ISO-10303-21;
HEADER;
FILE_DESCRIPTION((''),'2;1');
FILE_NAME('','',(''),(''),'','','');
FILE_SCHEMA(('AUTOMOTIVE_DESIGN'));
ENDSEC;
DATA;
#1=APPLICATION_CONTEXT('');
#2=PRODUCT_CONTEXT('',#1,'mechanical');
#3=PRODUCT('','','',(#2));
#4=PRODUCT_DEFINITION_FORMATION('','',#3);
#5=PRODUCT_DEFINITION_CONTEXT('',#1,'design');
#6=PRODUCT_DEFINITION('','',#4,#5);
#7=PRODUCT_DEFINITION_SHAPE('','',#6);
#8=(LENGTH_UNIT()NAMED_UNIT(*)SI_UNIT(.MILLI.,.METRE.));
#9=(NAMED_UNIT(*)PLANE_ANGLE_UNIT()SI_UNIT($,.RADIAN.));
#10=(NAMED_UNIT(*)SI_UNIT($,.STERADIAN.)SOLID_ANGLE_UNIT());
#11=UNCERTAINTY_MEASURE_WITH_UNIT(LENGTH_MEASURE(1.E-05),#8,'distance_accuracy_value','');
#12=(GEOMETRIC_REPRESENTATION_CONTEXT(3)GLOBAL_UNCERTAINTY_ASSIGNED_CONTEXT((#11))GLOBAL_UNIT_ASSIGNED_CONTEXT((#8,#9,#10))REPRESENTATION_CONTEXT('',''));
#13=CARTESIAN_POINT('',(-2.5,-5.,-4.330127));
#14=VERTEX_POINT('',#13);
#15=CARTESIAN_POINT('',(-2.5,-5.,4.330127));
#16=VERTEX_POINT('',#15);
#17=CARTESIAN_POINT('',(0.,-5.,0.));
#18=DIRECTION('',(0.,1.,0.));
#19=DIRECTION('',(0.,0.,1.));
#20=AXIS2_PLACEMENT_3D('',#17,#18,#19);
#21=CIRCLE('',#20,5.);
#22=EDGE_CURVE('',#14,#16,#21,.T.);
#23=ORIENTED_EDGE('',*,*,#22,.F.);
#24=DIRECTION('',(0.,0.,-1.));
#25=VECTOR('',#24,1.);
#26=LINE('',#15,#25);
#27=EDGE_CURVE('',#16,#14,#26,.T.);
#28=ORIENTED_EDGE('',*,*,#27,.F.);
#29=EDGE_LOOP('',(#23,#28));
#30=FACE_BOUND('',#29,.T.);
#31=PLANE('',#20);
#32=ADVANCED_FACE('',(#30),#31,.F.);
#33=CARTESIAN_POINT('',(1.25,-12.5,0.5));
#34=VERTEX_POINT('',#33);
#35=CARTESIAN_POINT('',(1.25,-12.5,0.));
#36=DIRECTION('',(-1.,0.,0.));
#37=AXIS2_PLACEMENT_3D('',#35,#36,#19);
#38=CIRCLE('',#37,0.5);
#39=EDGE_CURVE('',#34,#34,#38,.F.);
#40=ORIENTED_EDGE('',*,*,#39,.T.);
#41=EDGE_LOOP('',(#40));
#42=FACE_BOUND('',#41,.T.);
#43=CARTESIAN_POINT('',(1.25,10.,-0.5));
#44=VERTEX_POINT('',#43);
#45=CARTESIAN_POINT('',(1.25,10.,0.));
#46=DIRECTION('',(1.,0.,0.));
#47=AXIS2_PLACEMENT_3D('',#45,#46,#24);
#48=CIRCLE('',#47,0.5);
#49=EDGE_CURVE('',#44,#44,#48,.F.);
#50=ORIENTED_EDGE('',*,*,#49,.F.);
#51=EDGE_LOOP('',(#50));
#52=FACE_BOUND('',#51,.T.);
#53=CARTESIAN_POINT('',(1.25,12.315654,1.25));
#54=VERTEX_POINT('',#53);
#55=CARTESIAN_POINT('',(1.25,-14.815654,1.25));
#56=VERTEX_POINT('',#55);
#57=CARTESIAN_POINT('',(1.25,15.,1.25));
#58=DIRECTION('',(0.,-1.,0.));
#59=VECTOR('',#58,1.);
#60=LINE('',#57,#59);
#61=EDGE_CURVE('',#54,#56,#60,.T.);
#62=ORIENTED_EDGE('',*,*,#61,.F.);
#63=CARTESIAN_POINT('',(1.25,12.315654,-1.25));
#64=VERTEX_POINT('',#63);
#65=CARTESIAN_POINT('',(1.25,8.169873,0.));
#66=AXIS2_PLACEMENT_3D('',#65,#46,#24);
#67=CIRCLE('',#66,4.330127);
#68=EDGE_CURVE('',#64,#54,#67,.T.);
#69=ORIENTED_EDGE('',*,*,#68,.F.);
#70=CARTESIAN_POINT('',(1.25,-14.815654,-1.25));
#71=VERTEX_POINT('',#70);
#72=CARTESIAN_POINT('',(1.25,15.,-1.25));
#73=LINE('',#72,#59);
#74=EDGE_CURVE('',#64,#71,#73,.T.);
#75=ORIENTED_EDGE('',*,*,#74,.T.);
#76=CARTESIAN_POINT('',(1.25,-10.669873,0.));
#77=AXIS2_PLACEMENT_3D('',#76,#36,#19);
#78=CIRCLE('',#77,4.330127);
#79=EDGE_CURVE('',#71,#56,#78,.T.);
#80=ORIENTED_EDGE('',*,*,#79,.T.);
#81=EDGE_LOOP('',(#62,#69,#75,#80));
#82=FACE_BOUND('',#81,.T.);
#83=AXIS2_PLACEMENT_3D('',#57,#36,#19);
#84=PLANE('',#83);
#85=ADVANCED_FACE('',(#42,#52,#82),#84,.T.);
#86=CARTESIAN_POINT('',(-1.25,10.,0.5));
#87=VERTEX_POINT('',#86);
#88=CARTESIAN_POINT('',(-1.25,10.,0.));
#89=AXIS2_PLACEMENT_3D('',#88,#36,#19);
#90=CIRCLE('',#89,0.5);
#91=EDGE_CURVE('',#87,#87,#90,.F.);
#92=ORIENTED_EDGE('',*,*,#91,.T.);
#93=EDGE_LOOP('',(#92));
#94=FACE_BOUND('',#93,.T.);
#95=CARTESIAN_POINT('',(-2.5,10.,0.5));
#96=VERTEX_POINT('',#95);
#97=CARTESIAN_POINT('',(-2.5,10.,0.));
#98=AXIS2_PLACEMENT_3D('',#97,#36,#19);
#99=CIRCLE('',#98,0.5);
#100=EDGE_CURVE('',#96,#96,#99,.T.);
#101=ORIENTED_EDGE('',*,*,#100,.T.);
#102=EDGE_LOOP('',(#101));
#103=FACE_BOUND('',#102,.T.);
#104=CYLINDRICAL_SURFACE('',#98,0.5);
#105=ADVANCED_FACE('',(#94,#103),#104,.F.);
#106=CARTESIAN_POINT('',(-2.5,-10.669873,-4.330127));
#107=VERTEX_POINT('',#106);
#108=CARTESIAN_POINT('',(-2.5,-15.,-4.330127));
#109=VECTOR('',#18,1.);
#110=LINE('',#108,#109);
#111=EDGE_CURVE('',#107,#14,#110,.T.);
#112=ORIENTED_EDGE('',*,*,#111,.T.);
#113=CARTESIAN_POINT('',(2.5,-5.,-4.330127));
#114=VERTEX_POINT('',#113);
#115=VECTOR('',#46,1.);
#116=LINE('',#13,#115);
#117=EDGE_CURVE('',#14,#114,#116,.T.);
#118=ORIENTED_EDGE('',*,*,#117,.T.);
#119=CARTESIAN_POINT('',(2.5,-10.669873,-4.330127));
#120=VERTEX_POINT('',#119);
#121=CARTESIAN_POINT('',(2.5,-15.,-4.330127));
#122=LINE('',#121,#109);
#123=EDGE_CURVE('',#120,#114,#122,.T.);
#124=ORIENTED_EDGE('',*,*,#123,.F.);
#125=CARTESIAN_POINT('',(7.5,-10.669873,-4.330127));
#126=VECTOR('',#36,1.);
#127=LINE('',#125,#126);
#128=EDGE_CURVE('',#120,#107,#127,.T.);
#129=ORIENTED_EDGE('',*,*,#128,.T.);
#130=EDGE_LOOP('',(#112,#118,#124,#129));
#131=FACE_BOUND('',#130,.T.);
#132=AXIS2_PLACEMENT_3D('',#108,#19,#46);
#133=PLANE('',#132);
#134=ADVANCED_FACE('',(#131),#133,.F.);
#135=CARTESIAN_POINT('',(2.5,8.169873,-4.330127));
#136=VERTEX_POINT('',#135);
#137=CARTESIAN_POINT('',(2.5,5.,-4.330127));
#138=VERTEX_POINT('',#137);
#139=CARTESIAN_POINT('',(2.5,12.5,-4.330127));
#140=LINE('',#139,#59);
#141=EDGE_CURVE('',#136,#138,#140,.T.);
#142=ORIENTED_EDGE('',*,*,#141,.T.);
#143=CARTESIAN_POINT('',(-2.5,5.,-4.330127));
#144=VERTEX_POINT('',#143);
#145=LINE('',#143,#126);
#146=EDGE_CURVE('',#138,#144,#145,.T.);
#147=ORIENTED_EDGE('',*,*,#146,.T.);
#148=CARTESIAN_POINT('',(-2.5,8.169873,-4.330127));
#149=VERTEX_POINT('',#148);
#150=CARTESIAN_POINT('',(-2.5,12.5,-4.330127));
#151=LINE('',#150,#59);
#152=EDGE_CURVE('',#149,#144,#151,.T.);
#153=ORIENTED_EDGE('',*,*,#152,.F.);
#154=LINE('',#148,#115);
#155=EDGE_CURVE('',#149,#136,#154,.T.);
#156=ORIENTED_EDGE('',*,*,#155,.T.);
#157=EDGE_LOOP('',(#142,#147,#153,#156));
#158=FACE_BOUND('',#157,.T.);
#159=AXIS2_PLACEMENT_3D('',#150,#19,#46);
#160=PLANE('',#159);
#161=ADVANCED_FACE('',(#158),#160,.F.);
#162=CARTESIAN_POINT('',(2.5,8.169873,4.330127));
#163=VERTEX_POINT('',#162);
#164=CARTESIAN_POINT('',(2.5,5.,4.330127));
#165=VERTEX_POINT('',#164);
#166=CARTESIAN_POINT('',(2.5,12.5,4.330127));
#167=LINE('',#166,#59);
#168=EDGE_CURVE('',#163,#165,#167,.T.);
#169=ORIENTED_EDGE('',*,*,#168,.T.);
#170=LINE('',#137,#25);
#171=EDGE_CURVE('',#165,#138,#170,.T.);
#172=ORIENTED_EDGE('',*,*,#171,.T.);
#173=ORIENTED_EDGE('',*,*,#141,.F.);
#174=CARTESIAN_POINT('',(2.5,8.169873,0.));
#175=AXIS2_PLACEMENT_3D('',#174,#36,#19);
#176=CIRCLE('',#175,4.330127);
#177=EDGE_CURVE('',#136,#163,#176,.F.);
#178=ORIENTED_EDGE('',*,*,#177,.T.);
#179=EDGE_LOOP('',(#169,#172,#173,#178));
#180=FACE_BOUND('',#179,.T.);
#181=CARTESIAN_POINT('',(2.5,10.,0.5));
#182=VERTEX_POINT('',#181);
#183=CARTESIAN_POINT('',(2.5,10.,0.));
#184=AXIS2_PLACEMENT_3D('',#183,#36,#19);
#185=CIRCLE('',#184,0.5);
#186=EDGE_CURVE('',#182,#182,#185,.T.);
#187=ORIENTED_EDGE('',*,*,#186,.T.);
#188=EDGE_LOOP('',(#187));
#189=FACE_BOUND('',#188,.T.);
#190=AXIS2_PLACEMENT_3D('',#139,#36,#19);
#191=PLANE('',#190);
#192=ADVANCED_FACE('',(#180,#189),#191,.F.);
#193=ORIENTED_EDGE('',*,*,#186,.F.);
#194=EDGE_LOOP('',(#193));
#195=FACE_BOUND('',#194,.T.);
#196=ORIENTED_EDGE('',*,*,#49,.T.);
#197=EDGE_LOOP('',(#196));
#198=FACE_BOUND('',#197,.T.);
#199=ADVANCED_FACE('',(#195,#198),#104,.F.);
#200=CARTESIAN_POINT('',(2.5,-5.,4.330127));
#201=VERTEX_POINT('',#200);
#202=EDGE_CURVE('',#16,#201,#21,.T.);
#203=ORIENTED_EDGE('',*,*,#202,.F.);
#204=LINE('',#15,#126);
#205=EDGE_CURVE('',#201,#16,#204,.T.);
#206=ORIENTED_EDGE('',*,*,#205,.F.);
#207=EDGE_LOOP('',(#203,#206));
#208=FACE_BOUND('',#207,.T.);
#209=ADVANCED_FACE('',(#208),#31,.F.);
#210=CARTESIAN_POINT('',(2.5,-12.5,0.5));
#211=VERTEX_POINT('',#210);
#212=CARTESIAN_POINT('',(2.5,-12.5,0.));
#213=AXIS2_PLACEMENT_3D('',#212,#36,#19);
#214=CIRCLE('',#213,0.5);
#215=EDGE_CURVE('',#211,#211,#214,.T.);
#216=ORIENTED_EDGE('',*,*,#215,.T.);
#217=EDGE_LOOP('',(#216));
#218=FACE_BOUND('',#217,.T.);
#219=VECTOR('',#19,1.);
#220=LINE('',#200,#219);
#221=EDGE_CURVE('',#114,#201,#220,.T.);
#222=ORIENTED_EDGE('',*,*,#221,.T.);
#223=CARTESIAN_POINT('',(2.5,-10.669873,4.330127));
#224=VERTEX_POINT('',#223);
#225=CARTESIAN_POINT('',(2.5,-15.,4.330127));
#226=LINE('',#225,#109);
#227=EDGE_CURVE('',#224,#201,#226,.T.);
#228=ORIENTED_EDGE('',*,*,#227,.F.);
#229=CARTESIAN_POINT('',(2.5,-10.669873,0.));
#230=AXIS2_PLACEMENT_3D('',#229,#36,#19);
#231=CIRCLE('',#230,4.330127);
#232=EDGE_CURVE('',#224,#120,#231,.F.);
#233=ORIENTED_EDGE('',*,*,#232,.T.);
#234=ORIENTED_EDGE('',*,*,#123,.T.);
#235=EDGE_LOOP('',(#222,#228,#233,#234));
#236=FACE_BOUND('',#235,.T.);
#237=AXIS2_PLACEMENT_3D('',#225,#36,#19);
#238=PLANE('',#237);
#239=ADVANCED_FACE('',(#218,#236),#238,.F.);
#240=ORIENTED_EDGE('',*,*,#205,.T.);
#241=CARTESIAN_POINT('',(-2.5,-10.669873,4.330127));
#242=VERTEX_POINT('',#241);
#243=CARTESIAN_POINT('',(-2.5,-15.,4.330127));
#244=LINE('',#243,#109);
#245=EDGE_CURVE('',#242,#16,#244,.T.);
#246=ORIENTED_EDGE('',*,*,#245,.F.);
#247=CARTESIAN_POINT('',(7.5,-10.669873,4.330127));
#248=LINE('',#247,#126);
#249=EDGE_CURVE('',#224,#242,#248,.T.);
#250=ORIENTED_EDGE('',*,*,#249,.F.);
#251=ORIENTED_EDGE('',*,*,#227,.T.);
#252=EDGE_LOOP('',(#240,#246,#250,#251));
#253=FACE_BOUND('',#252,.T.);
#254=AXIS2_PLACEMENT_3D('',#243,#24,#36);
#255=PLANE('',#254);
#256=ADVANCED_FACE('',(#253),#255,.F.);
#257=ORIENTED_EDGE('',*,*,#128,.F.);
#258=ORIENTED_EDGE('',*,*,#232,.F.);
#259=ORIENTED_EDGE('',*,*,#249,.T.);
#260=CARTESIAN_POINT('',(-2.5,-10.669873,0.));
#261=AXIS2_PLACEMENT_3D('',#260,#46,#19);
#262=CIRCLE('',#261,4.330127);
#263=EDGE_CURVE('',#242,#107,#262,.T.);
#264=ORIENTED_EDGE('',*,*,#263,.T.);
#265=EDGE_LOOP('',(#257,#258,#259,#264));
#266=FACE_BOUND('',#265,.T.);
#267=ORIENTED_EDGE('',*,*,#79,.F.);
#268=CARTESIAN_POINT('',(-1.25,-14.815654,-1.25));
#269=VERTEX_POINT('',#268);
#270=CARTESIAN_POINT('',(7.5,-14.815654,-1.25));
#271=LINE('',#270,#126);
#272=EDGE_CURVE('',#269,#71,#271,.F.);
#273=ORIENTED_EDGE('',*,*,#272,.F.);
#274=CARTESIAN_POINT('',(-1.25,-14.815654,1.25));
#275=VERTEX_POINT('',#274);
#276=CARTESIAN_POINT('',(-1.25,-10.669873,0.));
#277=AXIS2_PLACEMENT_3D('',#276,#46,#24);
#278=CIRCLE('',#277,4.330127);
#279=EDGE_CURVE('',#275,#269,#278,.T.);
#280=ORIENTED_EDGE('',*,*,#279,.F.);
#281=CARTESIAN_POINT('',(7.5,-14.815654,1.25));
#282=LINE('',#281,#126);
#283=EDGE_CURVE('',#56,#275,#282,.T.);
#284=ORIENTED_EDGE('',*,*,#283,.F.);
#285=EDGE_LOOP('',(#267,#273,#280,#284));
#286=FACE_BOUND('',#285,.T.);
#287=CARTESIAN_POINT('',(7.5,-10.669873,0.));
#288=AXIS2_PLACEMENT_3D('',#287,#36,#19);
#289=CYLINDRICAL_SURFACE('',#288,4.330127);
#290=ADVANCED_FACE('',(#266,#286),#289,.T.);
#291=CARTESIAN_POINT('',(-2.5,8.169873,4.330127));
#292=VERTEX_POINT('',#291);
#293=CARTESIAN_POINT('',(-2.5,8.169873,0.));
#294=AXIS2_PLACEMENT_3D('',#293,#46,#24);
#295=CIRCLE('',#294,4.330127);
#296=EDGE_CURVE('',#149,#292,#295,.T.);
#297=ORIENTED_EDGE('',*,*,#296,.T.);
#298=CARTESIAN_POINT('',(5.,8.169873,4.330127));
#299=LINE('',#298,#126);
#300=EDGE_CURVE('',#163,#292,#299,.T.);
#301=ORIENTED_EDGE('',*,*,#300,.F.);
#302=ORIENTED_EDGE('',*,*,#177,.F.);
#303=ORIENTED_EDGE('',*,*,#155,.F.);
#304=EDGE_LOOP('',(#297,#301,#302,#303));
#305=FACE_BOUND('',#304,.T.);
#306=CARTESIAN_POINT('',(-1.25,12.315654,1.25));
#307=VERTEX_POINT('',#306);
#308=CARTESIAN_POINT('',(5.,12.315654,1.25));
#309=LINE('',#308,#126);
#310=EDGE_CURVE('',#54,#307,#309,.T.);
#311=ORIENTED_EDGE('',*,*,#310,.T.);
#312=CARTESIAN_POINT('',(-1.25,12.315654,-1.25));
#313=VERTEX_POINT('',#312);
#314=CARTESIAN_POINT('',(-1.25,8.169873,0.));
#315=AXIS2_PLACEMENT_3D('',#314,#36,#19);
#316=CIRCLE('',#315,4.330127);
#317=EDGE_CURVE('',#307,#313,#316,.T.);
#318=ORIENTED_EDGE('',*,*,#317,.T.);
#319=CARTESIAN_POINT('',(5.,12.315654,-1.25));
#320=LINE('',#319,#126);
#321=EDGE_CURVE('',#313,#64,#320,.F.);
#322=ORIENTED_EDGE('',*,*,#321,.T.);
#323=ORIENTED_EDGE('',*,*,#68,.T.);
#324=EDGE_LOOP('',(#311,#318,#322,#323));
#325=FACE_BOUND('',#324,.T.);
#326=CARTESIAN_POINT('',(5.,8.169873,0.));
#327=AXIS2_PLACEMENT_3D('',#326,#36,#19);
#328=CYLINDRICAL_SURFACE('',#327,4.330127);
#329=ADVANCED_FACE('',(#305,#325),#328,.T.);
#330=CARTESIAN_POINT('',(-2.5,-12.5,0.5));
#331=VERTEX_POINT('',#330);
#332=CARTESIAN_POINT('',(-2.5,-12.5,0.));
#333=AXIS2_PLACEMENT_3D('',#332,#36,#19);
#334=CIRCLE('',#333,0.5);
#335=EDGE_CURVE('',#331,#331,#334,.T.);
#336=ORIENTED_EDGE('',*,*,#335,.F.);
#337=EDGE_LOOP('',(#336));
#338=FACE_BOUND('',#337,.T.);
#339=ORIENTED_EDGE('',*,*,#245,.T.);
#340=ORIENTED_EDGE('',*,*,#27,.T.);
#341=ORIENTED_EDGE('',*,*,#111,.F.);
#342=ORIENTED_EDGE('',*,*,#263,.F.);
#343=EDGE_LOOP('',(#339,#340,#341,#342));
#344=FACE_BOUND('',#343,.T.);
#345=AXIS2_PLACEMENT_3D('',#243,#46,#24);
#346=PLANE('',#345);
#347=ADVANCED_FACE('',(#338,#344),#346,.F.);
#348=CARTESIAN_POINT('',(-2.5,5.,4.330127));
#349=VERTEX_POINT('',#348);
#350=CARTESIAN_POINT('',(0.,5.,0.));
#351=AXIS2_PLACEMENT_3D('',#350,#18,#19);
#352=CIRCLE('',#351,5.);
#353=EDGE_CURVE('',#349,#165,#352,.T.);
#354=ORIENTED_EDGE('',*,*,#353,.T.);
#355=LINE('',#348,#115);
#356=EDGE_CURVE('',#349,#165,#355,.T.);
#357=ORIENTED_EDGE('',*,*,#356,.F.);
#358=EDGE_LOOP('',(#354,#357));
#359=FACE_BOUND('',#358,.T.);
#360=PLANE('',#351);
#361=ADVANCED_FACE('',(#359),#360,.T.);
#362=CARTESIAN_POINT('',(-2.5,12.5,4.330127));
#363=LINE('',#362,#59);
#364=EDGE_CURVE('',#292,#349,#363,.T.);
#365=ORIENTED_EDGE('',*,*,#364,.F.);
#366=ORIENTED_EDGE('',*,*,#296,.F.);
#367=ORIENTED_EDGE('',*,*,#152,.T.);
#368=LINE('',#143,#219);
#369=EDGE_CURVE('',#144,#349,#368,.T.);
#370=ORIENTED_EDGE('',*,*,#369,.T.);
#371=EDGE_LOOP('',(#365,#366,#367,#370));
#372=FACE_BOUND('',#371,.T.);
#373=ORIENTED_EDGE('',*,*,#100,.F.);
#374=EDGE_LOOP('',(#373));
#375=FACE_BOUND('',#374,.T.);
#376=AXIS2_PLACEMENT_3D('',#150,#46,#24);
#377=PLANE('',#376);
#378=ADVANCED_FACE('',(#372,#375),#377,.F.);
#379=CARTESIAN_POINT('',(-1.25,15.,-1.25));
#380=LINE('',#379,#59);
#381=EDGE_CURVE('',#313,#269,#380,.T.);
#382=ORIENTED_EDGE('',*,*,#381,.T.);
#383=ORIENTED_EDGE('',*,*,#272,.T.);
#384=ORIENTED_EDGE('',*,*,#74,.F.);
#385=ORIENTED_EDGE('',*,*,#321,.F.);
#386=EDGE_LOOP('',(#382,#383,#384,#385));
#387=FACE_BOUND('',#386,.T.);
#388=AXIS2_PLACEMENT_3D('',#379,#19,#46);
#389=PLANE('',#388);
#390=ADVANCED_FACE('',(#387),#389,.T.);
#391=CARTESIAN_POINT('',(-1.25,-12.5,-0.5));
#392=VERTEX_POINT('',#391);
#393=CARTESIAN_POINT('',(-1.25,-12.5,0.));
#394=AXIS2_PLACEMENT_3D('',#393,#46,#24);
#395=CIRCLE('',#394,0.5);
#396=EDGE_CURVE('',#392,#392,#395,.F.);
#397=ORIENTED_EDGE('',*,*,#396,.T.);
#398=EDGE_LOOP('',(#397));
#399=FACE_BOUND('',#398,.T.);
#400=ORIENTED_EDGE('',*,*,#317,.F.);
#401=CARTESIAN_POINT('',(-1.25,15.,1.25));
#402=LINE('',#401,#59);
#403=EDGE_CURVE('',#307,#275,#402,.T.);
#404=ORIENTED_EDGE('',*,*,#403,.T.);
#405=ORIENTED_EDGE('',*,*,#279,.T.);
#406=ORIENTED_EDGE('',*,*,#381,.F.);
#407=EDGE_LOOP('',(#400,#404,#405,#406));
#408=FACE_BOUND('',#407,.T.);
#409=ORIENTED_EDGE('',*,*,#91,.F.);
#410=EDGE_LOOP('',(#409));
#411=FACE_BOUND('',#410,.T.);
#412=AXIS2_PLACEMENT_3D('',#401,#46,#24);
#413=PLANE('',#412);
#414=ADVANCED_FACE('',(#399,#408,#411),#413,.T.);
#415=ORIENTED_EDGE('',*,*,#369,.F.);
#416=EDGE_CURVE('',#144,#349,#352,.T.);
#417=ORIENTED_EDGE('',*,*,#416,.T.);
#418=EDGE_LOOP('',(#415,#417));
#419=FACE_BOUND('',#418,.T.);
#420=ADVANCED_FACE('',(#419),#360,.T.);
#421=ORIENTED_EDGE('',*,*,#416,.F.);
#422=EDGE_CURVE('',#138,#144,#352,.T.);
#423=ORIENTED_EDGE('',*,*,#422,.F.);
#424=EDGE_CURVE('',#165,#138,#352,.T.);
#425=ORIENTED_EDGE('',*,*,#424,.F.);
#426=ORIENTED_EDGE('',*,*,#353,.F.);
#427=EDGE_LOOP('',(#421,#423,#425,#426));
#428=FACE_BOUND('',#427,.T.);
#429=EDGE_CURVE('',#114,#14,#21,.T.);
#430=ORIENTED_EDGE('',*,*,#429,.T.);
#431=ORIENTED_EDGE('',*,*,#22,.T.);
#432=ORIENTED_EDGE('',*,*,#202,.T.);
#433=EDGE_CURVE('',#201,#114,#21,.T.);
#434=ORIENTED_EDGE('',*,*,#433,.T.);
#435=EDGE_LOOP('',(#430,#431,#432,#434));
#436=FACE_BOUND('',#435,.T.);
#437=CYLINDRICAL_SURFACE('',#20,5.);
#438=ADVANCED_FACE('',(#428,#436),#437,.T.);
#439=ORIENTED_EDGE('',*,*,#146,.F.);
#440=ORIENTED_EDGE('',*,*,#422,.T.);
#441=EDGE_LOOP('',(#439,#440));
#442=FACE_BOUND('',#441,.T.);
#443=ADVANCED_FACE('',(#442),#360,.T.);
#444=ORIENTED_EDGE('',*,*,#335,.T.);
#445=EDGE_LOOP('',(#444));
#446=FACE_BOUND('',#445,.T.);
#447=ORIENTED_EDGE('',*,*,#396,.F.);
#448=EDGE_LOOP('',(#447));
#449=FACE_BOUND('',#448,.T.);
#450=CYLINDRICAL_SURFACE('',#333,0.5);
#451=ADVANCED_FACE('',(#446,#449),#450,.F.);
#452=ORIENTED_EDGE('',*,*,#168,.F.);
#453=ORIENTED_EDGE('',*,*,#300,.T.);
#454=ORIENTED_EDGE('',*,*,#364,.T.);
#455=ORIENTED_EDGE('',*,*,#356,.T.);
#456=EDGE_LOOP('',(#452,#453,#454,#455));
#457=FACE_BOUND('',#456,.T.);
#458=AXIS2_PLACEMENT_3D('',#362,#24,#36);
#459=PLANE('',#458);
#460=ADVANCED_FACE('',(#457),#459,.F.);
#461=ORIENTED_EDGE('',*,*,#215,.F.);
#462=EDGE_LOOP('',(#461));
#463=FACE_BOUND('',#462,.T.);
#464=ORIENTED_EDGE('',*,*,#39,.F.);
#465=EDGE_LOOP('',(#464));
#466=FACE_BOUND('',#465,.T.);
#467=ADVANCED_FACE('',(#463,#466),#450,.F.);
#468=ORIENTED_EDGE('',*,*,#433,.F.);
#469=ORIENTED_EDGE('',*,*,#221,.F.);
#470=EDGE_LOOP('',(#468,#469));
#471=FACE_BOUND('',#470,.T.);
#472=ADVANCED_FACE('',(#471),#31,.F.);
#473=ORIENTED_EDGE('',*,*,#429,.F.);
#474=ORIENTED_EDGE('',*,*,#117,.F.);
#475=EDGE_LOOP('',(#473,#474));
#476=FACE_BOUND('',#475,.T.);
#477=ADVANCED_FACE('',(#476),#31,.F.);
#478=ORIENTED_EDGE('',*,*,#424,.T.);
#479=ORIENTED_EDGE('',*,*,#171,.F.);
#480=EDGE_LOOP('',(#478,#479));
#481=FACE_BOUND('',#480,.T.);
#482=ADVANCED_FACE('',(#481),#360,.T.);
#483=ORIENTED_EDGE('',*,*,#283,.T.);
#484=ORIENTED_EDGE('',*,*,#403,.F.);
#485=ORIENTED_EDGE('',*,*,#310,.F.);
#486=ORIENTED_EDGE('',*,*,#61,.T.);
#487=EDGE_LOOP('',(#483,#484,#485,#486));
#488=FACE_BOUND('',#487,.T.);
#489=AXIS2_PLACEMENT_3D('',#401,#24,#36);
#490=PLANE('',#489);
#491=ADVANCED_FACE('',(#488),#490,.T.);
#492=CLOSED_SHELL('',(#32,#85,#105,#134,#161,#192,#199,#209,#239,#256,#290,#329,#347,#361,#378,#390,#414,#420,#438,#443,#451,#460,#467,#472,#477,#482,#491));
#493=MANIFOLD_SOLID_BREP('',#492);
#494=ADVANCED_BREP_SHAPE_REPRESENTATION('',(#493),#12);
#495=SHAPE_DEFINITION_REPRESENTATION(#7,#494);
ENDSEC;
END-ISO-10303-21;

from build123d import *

# Parameters (mm, degrees)
BOSS_EXTRUDE1_DEPTH              = 5
BOSS_EXTRUDE1_DEPTH_BACK         = 5
SKETCH1_R                        = 5
SKETCH2_W                        = 5
SKETCH2_H                        = 8.660254038
BOSS_EXTRUDE2_DEPTH              = 10
CUT_EXTRUDE1_DEPTH               = 10
F_95_0_03937008_DIAMETER_HOLE1_D = 1.000000032
CUT_EXTRUDE2_DEPTH               = 10
CUT_EXTRUDE2_DEPTH_BACK          = 22.213203436
SKETCH7_W                        = 2.5
SKETCH7_H                        = 2.5
SKETCH8_W                        = 5
SKETCH8_H                        = 8.660254038
BOSS_EXTRUDE3_DEPTH              = 7.5
CUT_EXTRUDE3_DEPTH               = 7.5
F_95_0_03937008_DIAMETER_HOLE2_D = 1.000000032
SKETCH13_W                       = 2.5
SKETCH13_H                       = 2.5
CUT_EXTRUDE4_DEPTH               = 7.5


with BuildPart() as part:
    # Sketch1 → Boss-Extrude1 (new, two sides: drawn at the far end of the back side and taken through both)
    with BuildSketch(Plane(origin=(0, 0, 0), x_dir=(1, 0, 0), z_dir=(0, 1, 0)).offset(-BOSS_EXTRUDE1_DEPTH_BACK)):
        Circle(SKETCH1_R)
    extrude(amount=BOSS_EXTRUDE1_DEPTH + BOSS_EXTRUDE1_DEPTH_BACK)

    # Sketch2 → Boss-Extrude2 (add)
    with BuildSketch(Plane(origin=(0, -5, 0), x_dir=(-1, 0, 0), z_dir=(0, -1, 0))):
        Rectangle(SKETCH2_W, SKETCH2_H)
    extrude(amount=BOSS_EXTRUDE2_DEPTH)

    # Sketch3 → Cut-Extrude1 (cut)
    with BuildSketch(Plane.ZY.offset(2.5)):
        with BuildLine():
            Line((4.330127019, -10.66987298), (5.842852499, -10.66987298))
            Line((5.842852499, -10.66987298), (5.842852499, -18.914150706))
            Line((5.842852499, -18.914150706), (-6.856243272, -18.914150706))
            Line((-6.856243272, -18.914150706), (-6.856243272, -10.66987298))
            Line((-6.856243272, -10.66987298), (-4.330127019, -10.66987298))
            ThreePointArc((-4.330127019, -10.66987298), (-3.061862179, -13.731735159), (0, -15))
            ThreePointArc((0, -15), (3.061862179, -13.731735159), (4.330127019, -10.66987298))
        make_face()
    extrude(amount=-CUT_EXTRUDE1_DEPTH, mode=Mode.SUBTRACT)

    # #95 (0.03937008) Diameter Hole1 (through all)
    with Locations(Plane.ZY.offset(2.5)):
        with Locations((0, -12.499999999)):
            Hole(F_95_0_03937008_DIAMETER_HOLE1_D / 2)

    # Sketch7 → Cut-Extrude2 (cut, two sides: drawn at the far end of the back side and taken through both)
    with BuildSketch(Plane(origin=(0, 5, 0), x_dir=(1, 0, 0), z_dir=(0, 1, 0)).offset(-CUT_EXTRUDE2_DEPTH_BACK)):
        Rectangle(SKETCH7_W, SKETCH7_H)
    extrude(amount=CUT_EXTRUDE2_DEPTH + CUT_EXTRUDE2_DEPTH_BACK, mode=Mode.SUBTRACT)

    # Sketch8 → Boss-Extrude3 (add)
    with BuildSketch(Plane(origin=(0, 5, 0), x_dir=(1, 0, 0), z_dir=(0, 1, 0))):
        Rectangle(SKETCH8_W, SKETCH8_H)
    extrude(amount=BOSS_EXTRUDE3_DEPTH)

    # Sketch9 → Cut-Extrude3 (cut)
    with BuildSketch(Plane.ZY.offset(2.5)):
        with BuildLine():
            Line((-4.330127019, 8.16987298), (-5.309333273, 8.16987298))
            Line((-5.309333273, 8.16987298), (-5.309333273, 13.114789022))
            Line((-5.309333273, 13.114789022), (5.138804432, 13.114789022))
            Line((5.138804432, 13.114789022), (5.138804432, 8.16987298))
            Line((5.138804432, 8.16987298), (4.330127019, 8.16987298))
            ThreePointArc((4.330127019, 8.16987298), (0, 12.499999999), (-4.330127019, 8.16987298))
        make_face()
    extrude(amount=-CUT_EXTRUDE3_DEPTH, mode=Mode.SUBTRACT)

    # #95 (0.03937008) Diameter Hole2 (through all)
    with Locations(Plane.ZY.offset(2.5)):
        with Locations((0, 9.999999999)):
            Hole(F_95_0_03937008_DIAMETER_HOLE2_D / 2)

    # Sketch13 → Cut-Extrude4 (cut)
    with BuildSketch(Plane.XZ.offset(-5)):
        Rectangle(SKETCH13_W, SKETCH13_H)
    extrude(amount=-CUT_EXTRUDE4_DEPTH, mode=Mode.SUBTRACT)


solid = part.part
